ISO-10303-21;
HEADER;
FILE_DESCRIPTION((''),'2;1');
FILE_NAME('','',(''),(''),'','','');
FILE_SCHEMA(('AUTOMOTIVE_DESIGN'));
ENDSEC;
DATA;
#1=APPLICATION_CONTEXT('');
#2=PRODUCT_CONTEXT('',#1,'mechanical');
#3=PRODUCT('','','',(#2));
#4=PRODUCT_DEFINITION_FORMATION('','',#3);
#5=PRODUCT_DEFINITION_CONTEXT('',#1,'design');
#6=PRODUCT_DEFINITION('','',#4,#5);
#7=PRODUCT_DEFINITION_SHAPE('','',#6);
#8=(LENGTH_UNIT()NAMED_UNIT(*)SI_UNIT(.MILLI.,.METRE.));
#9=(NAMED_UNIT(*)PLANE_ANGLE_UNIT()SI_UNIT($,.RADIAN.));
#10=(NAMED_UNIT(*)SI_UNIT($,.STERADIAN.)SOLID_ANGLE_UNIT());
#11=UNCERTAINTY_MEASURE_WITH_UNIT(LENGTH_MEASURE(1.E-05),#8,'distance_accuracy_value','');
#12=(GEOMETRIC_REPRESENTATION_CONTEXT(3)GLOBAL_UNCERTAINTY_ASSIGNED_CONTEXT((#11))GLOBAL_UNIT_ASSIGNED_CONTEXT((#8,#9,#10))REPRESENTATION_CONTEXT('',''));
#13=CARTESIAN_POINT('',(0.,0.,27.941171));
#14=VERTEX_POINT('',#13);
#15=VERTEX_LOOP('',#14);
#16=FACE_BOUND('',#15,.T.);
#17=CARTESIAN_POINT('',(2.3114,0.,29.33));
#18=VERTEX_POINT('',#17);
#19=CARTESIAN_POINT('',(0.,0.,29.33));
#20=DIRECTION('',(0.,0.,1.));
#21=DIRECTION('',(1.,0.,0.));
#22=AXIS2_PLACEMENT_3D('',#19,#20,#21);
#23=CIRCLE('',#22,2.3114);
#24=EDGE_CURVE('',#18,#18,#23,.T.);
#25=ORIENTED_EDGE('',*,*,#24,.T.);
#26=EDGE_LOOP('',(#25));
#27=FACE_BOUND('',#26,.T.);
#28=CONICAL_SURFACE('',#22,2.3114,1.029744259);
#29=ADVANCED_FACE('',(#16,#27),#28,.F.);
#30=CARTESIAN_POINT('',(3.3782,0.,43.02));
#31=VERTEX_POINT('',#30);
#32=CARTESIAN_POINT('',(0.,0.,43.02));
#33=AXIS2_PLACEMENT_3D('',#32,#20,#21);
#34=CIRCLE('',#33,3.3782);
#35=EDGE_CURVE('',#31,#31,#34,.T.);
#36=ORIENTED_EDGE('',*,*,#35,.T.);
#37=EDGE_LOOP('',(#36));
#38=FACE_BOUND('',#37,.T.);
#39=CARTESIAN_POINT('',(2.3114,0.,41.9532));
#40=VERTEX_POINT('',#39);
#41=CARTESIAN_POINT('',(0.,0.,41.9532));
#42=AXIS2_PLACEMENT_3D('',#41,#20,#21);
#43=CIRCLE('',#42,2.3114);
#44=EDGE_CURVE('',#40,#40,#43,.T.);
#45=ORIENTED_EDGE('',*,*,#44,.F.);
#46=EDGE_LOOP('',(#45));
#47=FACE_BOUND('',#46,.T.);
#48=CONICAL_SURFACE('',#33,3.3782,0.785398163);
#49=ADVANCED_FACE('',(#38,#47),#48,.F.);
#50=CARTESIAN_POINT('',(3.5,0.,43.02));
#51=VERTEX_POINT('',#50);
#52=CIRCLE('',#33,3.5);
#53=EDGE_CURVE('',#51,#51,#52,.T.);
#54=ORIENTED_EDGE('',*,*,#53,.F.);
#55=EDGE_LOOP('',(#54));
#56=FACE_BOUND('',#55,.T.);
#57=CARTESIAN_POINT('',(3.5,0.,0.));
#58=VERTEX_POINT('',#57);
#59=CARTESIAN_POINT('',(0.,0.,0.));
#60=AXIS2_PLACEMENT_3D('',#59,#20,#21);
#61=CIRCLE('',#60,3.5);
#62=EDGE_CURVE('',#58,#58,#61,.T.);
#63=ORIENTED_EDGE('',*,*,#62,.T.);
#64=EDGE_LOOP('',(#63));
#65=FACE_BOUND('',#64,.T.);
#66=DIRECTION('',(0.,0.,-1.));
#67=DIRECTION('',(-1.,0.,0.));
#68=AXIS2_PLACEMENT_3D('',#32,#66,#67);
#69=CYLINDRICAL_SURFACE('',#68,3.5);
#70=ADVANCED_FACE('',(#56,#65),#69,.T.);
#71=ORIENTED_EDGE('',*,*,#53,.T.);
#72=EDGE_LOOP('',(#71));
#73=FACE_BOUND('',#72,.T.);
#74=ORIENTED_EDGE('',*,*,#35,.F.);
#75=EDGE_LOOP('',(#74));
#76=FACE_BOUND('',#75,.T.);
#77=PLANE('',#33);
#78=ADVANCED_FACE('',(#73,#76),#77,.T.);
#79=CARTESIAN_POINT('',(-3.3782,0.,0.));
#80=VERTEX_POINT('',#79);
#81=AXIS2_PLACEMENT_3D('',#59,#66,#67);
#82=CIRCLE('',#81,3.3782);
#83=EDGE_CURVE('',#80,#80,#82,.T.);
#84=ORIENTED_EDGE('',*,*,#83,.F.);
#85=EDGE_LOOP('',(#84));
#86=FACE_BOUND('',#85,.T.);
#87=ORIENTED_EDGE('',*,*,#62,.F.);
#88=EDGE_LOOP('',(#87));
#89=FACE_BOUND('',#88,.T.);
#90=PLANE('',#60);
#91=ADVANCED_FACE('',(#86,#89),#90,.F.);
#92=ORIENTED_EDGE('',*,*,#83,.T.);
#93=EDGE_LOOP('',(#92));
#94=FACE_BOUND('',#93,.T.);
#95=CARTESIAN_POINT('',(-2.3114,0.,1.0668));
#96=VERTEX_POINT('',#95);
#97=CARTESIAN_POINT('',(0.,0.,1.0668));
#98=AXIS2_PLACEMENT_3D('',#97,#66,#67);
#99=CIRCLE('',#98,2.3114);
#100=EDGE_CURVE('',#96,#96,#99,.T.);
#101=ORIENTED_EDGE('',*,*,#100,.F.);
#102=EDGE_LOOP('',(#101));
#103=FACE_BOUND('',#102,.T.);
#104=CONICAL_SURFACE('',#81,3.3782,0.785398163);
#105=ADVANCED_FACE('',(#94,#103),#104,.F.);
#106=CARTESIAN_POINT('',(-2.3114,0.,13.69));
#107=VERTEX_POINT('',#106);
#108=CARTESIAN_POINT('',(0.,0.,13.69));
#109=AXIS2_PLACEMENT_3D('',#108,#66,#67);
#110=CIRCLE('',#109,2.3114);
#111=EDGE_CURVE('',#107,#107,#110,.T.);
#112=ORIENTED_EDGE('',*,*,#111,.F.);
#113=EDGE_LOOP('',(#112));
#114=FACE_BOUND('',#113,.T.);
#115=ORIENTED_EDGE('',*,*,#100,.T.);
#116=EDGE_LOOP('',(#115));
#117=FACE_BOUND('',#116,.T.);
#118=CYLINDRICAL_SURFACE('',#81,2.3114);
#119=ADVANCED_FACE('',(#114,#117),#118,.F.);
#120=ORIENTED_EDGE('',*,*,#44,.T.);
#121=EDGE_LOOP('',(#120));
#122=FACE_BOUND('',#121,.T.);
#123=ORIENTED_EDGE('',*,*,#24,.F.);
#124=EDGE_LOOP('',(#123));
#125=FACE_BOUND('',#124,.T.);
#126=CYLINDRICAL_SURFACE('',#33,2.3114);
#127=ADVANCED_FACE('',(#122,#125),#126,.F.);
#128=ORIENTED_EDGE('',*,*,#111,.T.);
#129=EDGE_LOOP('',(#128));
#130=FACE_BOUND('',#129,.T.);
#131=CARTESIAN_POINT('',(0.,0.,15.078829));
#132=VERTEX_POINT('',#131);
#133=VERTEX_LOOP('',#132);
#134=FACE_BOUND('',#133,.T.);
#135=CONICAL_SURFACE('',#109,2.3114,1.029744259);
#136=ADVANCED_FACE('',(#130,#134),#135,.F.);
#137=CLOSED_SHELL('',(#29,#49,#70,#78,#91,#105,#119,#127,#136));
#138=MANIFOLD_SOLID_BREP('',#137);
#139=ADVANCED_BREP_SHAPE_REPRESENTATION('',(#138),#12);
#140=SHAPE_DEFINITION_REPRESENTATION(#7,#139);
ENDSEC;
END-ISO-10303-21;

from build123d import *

# Parameters (mm, degrees)
SKETCH1_R           = 3.5
BOSS_EXTRUDE1_DEPTH = 43.02


with BuildPart() as part:
    # Sketch1 → Boss-Extrude1 (new body)
    with BuildSketch(Plane.XY):
        Circle(SKETCH1_R)
    extrude(amount=BOSS_EXTRUDE1_DEPTH)

    # Sketch7 → #12-28 Tapped Hole1 (revolve, cut)
    with BuildSketch(Plane(origin=(0, 0, 43.02), x_dir=(0, -1, 0), z_dir=(1, 0, 0))):
        Polygon((0, 0), (0, 15.078829235), (2.3114, 13.69), (2.3114, 1.0668), (3.3782, 0), align=None)
    f_12_28_tapped_hole1 = revolve(axis=Axis((0, 0, 49.37), (0, 0, -1)), mode=Mode.SUBTRACT)

    # Mirror1: #12-28 Tapped Hole1 across plane
    add(f_12_28_tapped_hole1.mirror(Plane.XY.offset(21.51)), mode=Mode.SUBTRACT)


solid = part.part
